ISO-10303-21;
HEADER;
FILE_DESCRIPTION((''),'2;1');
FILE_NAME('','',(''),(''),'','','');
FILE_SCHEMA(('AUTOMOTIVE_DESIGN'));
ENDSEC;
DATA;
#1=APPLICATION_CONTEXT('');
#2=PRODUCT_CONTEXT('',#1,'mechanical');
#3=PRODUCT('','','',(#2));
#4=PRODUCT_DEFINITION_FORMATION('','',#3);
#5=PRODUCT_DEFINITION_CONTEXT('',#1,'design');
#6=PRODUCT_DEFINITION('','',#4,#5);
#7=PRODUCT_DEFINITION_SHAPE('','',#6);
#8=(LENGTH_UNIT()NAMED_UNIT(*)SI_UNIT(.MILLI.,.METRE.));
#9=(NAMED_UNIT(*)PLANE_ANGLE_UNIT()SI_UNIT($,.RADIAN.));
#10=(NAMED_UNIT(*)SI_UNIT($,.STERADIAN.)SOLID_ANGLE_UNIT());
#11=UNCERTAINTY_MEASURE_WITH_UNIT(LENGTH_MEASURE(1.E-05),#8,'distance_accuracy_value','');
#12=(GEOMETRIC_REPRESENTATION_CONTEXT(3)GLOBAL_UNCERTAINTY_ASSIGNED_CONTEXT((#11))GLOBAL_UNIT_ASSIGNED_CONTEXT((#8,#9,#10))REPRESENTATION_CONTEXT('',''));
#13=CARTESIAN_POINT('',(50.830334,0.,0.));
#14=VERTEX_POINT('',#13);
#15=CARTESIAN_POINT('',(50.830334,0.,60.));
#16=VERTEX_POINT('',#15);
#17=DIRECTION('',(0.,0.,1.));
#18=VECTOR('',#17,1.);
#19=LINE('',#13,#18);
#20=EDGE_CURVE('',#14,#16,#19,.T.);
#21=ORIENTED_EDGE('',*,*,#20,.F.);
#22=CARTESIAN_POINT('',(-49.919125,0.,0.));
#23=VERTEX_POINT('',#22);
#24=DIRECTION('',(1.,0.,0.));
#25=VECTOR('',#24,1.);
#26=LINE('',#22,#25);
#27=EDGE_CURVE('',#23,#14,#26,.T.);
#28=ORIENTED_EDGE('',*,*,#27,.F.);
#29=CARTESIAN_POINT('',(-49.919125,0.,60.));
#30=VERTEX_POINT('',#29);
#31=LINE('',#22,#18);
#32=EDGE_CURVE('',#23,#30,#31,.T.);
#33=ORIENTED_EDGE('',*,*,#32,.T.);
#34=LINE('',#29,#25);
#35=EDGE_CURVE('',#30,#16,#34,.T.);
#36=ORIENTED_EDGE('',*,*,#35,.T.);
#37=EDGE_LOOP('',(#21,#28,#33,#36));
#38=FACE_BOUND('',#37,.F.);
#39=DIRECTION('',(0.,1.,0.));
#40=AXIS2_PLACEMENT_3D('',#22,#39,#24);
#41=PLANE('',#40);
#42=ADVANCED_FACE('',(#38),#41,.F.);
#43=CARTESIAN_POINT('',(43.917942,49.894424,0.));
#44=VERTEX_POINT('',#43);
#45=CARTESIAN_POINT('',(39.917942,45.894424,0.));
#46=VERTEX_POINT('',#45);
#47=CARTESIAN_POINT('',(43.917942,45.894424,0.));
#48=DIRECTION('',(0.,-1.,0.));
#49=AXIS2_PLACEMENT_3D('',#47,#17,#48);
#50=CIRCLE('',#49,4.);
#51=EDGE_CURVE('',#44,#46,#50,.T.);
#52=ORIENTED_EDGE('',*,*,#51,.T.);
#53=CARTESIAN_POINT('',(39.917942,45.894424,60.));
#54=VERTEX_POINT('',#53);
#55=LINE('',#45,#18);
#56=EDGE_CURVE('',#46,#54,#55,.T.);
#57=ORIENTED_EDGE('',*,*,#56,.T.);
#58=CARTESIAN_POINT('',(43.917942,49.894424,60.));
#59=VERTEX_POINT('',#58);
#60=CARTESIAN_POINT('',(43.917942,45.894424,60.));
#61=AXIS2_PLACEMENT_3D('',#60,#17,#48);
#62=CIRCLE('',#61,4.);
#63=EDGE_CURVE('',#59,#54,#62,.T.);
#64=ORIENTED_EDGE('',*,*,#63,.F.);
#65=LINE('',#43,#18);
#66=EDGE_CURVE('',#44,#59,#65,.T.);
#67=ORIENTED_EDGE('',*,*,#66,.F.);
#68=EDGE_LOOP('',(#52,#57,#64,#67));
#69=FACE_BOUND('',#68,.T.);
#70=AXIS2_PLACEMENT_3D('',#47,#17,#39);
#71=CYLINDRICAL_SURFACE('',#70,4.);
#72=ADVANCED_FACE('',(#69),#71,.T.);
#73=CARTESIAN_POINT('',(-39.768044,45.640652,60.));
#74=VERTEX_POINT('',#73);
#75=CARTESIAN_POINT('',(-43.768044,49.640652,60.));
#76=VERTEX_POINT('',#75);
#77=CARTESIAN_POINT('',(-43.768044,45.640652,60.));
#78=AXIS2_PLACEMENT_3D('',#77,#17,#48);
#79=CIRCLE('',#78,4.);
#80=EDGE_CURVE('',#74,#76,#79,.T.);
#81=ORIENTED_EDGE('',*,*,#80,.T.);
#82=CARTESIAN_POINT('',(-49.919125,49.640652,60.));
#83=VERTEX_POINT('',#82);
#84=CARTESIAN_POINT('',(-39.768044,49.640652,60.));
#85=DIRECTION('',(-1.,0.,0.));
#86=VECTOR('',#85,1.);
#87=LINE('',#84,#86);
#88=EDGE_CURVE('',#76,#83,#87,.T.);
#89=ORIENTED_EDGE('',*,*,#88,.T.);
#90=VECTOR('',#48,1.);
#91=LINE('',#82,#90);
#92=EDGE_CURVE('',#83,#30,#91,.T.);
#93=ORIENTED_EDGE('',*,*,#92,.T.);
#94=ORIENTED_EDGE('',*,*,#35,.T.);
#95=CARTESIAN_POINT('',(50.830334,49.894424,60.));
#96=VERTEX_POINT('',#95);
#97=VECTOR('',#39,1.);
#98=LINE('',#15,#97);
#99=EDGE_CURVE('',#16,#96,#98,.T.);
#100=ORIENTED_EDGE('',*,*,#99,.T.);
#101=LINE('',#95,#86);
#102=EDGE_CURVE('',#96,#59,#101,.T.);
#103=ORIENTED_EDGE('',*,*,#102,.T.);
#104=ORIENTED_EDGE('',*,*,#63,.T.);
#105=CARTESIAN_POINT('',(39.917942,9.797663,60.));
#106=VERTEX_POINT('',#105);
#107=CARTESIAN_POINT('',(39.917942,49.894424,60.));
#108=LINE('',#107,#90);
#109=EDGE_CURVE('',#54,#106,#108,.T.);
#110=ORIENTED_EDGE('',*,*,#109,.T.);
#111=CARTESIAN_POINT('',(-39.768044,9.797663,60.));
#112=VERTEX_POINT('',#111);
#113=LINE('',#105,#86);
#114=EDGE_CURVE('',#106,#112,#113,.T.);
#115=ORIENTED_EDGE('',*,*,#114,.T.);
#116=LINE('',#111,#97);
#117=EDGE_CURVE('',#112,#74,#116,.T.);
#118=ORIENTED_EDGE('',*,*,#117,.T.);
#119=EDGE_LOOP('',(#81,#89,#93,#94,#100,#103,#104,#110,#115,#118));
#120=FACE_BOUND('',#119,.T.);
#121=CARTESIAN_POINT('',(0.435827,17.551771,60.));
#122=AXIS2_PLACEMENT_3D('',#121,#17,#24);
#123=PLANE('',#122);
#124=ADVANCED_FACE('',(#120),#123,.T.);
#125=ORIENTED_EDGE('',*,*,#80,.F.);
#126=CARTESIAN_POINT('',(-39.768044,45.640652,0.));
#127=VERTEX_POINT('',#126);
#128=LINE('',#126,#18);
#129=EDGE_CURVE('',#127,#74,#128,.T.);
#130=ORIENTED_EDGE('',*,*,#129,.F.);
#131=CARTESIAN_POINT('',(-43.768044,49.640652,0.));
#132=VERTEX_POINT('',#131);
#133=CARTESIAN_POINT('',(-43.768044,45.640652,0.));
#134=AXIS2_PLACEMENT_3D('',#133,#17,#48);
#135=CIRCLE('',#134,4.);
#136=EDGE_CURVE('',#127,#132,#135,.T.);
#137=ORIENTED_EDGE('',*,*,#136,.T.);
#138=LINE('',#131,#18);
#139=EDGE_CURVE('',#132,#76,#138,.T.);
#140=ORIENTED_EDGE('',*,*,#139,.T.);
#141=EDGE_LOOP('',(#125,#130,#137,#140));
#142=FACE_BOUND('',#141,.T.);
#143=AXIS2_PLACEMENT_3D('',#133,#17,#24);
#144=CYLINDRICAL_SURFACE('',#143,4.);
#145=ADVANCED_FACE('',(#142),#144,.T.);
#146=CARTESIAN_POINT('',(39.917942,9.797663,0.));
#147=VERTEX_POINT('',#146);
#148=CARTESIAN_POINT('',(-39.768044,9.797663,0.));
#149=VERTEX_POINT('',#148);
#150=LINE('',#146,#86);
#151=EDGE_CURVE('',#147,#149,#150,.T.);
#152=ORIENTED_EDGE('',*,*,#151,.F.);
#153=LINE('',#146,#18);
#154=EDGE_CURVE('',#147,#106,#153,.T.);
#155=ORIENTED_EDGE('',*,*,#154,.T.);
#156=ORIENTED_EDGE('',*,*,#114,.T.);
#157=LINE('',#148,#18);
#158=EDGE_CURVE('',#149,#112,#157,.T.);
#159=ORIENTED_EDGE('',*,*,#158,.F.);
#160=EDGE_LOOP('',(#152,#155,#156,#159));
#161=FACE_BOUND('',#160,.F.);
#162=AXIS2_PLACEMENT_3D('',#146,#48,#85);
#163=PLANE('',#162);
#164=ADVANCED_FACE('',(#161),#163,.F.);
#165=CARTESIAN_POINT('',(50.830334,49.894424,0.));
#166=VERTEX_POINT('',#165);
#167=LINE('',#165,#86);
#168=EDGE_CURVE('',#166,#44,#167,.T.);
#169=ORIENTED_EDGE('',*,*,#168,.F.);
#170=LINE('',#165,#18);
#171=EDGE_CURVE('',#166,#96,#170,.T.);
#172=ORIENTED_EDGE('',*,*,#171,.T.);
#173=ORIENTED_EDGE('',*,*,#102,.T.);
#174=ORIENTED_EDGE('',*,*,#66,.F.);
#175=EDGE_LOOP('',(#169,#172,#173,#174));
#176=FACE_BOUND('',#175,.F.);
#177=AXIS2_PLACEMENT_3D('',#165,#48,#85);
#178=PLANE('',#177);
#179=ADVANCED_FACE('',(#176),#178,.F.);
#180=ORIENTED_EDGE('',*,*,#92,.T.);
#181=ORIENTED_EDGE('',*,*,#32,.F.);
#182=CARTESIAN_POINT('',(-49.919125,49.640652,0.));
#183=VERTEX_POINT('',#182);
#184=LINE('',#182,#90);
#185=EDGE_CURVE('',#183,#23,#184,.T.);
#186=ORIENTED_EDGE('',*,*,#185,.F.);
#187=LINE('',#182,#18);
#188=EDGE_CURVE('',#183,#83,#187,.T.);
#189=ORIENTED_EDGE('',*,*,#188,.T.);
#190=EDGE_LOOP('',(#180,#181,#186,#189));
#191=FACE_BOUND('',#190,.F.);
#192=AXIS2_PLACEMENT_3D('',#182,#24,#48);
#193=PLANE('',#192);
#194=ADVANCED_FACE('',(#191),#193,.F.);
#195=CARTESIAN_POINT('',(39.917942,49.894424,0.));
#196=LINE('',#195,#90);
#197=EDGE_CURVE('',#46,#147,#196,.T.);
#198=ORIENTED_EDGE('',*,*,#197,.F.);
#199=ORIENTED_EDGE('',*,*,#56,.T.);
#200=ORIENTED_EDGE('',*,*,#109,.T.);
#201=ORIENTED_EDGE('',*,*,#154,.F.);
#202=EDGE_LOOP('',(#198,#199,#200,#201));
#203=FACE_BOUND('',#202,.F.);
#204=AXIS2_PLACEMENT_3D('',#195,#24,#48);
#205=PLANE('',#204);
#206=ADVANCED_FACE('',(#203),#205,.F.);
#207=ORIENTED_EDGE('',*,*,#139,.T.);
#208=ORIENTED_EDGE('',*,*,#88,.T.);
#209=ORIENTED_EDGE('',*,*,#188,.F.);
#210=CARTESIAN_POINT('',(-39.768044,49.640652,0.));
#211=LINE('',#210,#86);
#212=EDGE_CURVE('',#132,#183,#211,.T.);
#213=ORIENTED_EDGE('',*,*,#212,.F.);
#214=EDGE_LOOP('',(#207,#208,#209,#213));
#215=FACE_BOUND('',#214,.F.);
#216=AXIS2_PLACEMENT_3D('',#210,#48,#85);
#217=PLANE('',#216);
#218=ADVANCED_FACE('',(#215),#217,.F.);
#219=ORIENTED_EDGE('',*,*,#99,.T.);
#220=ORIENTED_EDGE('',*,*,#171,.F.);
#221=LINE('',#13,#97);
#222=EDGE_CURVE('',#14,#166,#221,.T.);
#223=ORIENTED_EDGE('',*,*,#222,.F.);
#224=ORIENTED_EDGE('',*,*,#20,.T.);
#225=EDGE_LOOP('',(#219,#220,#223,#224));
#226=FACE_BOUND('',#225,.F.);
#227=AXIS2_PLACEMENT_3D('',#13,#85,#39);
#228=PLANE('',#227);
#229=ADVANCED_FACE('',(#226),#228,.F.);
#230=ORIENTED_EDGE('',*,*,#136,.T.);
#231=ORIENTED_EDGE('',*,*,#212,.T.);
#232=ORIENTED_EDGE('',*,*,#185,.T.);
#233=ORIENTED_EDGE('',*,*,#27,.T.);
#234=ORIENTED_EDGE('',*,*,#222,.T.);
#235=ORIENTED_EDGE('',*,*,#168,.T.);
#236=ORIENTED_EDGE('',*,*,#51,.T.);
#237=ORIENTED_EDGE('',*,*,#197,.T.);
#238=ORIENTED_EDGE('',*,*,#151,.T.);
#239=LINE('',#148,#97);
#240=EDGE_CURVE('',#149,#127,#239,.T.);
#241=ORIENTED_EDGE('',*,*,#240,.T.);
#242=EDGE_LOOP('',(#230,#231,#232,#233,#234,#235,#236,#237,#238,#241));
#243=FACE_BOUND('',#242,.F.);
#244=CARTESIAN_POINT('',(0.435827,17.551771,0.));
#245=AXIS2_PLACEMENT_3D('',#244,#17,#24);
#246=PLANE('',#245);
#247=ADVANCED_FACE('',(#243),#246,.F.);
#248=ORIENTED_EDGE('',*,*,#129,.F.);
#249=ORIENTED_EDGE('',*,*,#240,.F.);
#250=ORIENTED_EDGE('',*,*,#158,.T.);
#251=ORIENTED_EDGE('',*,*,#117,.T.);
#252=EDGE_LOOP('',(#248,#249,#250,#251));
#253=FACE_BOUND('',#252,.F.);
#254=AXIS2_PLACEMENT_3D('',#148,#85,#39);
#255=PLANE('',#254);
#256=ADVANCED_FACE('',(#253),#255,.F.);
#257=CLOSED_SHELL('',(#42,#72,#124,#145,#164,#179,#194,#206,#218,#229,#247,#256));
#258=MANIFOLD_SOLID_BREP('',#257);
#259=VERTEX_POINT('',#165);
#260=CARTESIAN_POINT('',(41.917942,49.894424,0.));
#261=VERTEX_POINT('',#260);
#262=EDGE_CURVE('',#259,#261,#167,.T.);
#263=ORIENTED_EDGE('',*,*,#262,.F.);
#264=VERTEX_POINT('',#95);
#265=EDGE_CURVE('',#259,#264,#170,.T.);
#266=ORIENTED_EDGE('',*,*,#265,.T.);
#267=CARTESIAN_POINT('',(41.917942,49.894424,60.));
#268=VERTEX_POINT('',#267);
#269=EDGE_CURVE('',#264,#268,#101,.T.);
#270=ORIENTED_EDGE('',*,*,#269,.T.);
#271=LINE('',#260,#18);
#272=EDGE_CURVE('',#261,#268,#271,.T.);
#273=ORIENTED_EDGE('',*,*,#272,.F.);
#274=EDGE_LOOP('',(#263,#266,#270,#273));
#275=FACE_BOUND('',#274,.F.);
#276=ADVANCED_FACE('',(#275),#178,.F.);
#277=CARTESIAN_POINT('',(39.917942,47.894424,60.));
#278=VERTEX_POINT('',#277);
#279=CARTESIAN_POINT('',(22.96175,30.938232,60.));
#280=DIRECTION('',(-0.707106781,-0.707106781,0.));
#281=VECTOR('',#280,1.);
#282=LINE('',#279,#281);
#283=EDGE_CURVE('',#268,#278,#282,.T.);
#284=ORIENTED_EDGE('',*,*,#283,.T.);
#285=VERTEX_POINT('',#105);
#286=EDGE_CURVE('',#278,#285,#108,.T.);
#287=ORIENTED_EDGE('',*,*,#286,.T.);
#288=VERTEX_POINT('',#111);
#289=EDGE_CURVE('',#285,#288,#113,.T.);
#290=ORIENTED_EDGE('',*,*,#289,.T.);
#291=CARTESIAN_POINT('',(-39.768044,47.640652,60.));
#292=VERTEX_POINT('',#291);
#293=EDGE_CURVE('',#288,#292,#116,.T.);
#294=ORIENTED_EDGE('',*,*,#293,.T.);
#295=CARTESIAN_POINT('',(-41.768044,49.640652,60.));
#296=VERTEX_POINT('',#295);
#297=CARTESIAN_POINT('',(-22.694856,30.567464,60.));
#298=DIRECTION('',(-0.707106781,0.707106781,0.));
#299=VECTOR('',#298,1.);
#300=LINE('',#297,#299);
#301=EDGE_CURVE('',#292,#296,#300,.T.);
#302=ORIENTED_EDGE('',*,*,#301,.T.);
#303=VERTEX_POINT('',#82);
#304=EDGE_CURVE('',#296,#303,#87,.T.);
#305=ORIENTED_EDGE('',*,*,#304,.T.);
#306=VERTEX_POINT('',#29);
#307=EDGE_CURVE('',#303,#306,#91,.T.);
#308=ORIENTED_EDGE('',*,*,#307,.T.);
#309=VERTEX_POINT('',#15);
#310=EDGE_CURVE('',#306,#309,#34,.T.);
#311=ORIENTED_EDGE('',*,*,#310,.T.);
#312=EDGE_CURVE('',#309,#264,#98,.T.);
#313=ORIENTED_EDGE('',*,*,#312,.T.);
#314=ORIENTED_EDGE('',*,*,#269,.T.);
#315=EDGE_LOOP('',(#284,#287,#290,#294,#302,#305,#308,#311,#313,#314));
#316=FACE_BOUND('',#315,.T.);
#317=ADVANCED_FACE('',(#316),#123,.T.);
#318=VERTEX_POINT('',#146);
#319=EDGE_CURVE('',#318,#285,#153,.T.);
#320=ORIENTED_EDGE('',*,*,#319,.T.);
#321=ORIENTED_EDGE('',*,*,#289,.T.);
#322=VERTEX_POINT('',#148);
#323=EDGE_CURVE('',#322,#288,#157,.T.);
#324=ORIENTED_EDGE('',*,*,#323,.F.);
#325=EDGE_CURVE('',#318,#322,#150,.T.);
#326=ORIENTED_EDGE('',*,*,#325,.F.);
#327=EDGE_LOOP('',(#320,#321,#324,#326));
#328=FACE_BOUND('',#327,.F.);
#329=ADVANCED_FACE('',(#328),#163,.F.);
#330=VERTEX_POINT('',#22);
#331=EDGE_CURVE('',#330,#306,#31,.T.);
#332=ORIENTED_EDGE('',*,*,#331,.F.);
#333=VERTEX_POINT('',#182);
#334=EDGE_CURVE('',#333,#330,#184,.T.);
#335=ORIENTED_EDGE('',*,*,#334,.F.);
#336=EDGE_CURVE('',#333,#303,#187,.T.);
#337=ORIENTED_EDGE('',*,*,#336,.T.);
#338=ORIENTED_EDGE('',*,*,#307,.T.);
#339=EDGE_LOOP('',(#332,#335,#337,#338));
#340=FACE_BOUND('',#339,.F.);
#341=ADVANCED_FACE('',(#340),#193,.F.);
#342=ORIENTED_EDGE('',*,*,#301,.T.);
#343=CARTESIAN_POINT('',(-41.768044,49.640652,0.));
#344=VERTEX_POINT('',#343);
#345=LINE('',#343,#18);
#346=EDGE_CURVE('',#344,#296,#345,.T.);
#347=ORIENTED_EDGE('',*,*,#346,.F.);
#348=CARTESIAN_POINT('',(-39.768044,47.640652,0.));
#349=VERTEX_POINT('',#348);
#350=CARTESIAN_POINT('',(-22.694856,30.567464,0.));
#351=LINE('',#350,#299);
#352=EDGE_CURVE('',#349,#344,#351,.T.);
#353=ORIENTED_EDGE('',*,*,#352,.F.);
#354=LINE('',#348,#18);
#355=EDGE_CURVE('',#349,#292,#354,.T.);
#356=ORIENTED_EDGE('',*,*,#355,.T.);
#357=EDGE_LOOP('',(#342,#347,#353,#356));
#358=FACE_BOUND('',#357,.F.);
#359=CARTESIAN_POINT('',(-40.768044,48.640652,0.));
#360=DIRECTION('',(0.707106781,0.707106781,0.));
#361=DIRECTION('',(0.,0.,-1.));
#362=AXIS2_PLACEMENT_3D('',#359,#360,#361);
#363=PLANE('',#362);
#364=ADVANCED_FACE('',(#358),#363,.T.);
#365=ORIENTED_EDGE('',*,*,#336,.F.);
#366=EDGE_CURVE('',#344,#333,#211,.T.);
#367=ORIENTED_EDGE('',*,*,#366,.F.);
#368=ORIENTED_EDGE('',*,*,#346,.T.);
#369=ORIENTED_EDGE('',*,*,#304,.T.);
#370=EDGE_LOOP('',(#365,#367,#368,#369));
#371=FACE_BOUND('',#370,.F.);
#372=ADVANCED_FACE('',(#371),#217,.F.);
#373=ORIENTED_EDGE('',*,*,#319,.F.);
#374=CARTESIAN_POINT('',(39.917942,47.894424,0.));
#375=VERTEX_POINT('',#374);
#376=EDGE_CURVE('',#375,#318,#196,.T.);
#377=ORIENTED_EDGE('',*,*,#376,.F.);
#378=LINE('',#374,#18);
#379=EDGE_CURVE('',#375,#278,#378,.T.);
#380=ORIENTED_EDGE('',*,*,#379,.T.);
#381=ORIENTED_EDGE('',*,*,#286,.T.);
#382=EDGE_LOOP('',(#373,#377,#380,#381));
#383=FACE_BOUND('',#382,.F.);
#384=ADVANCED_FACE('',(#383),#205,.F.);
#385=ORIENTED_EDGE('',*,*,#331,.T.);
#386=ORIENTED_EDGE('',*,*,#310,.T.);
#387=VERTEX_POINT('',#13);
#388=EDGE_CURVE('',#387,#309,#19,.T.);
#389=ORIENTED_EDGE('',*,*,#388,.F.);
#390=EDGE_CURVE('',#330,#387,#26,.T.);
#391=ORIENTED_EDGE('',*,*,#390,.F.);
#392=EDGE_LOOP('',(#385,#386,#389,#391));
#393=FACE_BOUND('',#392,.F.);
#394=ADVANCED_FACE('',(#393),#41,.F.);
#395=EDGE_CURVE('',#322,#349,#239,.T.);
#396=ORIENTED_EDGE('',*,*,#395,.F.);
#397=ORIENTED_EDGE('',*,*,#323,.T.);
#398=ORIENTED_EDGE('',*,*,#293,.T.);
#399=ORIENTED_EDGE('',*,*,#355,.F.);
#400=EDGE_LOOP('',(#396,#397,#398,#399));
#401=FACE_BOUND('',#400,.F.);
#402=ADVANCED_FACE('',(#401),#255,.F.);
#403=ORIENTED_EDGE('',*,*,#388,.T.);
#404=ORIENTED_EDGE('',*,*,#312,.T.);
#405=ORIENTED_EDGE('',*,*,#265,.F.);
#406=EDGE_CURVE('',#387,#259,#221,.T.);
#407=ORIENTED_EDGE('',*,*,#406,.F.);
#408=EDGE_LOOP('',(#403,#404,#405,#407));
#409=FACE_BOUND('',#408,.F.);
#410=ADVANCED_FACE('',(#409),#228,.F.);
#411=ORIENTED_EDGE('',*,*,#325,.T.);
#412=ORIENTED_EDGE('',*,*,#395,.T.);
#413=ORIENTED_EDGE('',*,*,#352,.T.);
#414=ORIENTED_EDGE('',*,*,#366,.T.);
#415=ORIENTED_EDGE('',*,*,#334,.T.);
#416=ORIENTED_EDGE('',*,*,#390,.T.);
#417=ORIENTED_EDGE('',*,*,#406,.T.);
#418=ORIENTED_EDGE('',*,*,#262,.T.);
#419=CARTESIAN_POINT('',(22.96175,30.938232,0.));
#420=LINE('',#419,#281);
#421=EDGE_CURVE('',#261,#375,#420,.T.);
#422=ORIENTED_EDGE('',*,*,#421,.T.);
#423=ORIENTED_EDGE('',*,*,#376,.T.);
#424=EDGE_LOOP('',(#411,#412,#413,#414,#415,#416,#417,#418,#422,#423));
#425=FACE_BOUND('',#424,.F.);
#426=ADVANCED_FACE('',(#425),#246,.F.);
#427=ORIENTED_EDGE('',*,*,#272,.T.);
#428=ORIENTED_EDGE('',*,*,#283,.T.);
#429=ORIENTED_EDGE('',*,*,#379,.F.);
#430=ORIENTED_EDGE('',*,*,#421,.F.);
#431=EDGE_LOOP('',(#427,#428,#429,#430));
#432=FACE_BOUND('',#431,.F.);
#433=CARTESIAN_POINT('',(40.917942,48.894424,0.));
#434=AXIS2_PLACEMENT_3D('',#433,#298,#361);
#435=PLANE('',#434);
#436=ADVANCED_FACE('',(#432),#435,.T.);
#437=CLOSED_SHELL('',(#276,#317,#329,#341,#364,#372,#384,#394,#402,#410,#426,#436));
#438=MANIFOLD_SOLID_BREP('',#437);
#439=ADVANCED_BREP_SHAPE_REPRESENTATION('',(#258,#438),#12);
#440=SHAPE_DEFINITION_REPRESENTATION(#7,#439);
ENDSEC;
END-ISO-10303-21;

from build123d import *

# Parameters (mm, degrees)
EXTRUDE_DEPTH    = 60
CHAMFER_SIZE     = 2
EXTRUDE001_DEPTH = 60
FILLET_R         = 4


with BuildPart() as chamfer_body:
    # Sketch → Extrude (new body)
    with BuildSketch(Plane.XY):
        Polygon((-49.919125, 49.640652), (-49.919125, 0), (50.830334, 0), (50.830334, 49.894424), (39.917942, 49.894424), (39.917942, 9.797663), (-39.768044, 9.797663), (-39.768044, 49.640652), align=None)
    extrude(amount=EXTRUDE_DEPTH)

    # Chamfer
    chamfer_edges = [chamfer_body.edges().sort_by_distance(p)[0] for p in [
        (-39.768044, 49.640652, 30),
        (39.917942, 49.894424, 30),
    ]]
    chamfer(chamfer_edges, length=CHAMFER_SIZE)


with BuildPart() as fillet_body:
    # Sketch → Extrude001 (new body)
    with BuildSketch(Plane.XY):
        Polygon((-49.919125, 49.640652), (-49.919125, 0), (50.830334, 0), (50.830334, 49.894424), (39.917942, 49.894424), (39.917942, 9.797663), (-39.768044, 9.797663), (-39.768044, 49.640652), align=None)
    extrude(amount=EXTRUDE001_DEPTH)

    # Fillet
    fillet_edges = [fillet_body.edges().sort_by_distance(p)[0] for p in [
        (-39.768044, 49.640652, 30),
        (39.917942, 49.894424, 30),
    ]]
    fillet(fillet_edges, radius=FILLET_R)


solid = Compound([chamfer_body.part, fillet_body.part])
